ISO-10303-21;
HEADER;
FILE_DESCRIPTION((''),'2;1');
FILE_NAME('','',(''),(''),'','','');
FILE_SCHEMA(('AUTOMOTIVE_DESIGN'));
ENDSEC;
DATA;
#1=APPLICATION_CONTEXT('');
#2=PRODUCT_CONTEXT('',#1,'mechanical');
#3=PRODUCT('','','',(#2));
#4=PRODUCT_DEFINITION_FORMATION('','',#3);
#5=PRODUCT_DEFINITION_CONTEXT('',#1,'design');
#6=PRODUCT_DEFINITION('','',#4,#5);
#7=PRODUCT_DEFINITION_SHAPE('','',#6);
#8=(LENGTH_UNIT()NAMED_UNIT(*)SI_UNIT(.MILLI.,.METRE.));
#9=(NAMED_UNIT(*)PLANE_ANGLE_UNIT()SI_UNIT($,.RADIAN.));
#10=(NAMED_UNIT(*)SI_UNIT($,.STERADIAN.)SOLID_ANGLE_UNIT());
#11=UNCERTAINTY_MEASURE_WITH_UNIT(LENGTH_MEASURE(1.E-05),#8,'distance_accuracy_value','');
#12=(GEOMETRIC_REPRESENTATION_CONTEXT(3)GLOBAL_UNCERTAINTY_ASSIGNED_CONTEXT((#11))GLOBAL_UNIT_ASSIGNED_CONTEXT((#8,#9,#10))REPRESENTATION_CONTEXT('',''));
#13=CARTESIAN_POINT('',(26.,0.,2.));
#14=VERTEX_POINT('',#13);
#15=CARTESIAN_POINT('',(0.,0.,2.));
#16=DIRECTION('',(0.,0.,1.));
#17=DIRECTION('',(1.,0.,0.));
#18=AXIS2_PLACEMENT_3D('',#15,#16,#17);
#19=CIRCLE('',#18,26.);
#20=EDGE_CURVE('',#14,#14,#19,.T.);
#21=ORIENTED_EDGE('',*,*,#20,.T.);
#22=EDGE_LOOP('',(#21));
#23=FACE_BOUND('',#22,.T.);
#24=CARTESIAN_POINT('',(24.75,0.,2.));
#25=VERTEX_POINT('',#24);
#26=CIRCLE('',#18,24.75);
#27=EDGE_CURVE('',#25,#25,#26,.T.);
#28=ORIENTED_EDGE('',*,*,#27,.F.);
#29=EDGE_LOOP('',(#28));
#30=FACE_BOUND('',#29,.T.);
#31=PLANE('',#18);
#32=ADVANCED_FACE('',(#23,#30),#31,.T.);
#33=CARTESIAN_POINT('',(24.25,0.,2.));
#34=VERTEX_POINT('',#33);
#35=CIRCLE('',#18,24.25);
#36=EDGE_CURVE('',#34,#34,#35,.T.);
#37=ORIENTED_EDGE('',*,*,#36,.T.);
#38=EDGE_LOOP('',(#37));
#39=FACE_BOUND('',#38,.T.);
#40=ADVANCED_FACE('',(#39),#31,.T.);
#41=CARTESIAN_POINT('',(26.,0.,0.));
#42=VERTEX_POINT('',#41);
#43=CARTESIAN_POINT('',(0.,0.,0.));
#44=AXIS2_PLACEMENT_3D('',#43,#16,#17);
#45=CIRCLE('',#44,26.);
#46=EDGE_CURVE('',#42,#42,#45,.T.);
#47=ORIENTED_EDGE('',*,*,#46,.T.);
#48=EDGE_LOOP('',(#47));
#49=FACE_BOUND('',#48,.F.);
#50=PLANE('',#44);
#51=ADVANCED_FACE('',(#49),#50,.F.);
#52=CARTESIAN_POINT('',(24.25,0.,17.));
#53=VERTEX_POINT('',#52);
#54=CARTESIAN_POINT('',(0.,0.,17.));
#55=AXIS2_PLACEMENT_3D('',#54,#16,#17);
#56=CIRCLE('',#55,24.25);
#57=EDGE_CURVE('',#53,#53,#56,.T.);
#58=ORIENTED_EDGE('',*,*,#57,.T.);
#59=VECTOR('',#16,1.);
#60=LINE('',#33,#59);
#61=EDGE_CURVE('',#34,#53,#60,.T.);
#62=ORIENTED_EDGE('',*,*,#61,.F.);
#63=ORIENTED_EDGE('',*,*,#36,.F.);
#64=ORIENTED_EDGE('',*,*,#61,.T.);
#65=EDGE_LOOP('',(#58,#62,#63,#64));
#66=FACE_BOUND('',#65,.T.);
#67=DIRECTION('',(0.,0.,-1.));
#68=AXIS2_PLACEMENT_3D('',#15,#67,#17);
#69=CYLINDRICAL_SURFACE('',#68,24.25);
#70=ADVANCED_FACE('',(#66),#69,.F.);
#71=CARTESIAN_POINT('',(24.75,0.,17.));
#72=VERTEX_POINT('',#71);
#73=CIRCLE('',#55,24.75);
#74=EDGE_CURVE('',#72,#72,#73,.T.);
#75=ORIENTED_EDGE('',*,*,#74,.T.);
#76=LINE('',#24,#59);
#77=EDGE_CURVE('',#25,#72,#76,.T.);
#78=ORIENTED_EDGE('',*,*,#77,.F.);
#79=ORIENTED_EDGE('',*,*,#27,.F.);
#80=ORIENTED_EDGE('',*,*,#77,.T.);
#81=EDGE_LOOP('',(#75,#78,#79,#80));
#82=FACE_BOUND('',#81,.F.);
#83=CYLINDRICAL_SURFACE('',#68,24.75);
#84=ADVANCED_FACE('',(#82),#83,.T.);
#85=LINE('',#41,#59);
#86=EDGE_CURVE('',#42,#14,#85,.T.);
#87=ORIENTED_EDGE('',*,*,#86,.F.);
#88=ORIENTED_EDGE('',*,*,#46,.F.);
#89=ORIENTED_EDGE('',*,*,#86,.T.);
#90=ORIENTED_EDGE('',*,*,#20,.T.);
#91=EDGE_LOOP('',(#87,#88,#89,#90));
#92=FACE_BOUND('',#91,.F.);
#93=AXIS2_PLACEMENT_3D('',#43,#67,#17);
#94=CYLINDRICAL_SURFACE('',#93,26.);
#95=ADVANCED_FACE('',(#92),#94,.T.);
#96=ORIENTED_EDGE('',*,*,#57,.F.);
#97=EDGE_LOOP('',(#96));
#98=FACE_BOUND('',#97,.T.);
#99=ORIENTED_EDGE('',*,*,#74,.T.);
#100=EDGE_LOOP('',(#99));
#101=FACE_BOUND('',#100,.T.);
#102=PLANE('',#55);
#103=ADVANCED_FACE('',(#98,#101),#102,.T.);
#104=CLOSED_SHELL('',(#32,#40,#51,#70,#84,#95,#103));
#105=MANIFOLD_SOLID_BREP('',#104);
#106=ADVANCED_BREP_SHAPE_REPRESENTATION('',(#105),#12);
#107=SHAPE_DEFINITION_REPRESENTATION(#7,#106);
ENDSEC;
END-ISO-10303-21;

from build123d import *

# Parameters (mm, degrees)
SKETCH_R      = 26
PAD_DEPTH     = 2
SKETCH001_R   = 24.75
SKETCH001_R_2 = 24.25
PAD001_DEPTH  = 15


with BuildPart() as part:
    # Sketch → Pad (new body)
    with BuildSketch(Plane.XY):
        Circle(SKETCH_R)
    extrude(amount=PAD_DEPTH)

    # Sketch001 (on Face3 of Pad) → Pad001 (join)
    with BuildSketch(Plane.XY.offset(2)):
        Circle(SKETCH001_R)
        Circle(SKETCH001_R_2, mode=Mode.SUBTRACT)
    extrude(amount=PAD001_DEPTH)


solid = part.part
